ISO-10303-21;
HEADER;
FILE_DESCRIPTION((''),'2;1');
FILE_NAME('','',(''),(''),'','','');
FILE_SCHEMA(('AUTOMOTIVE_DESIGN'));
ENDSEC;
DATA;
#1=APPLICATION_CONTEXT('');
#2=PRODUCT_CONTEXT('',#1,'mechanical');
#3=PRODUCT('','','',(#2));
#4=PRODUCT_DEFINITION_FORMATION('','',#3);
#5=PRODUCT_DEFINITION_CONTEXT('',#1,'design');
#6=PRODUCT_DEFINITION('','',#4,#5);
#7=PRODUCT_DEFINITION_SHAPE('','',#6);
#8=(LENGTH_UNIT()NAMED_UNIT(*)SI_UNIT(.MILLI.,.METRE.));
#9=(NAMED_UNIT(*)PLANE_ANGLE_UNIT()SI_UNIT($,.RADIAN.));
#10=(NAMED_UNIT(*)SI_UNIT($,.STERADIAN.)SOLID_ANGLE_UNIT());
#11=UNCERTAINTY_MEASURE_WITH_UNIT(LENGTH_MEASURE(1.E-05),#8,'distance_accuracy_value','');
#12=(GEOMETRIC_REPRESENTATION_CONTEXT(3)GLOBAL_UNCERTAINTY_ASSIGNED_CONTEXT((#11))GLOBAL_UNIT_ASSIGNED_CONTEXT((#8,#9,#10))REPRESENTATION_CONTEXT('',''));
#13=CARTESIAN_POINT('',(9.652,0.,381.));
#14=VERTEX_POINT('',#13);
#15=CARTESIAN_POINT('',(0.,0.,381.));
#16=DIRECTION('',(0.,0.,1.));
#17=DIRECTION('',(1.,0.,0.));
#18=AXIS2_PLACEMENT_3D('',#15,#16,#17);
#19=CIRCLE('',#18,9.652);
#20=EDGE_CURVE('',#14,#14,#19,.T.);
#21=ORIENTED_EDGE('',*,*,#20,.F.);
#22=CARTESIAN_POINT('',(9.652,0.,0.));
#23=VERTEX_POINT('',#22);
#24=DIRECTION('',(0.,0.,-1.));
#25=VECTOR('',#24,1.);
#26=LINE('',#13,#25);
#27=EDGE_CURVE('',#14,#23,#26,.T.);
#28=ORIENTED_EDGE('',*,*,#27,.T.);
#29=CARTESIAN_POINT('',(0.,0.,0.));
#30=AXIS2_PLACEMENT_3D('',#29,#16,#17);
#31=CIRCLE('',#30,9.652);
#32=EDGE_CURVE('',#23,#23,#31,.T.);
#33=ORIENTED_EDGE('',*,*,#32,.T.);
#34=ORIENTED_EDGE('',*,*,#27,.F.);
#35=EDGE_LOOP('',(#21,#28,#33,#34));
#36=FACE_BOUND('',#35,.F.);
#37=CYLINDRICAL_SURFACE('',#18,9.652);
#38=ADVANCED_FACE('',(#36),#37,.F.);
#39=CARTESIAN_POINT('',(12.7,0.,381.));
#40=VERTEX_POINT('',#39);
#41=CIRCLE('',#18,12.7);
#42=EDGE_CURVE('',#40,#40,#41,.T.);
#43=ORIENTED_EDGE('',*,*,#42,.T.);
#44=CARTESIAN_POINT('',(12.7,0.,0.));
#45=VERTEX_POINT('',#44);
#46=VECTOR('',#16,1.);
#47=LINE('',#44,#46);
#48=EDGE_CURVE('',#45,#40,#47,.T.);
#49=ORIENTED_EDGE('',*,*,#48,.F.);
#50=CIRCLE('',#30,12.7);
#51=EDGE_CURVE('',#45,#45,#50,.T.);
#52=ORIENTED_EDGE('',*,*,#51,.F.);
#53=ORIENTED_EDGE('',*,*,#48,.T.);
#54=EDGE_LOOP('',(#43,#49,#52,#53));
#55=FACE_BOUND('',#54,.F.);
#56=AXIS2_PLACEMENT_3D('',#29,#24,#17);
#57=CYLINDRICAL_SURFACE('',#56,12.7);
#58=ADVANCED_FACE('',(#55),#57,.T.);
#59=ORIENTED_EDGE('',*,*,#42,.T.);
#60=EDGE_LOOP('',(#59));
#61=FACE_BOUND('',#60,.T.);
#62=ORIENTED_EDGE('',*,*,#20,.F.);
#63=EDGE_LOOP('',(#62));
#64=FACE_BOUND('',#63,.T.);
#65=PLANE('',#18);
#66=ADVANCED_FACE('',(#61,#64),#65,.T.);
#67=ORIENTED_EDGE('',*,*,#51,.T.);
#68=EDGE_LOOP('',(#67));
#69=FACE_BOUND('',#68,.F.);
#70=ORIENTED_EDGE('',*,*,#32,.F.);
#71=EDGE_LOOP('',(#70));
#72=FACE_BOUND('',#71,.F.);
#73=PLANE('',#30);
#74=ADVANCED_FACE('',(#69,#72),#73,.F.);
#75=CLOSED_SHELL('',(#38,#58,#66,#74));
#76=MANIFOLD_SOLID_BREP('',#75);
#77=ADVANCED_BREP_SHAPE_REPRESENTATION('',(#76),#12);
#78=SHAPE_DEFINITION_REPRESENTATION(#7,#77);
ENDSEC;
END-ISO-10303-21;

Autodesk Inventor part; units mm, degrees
ref_plane "YZ Plane" through (0, 0, 0) normal (1, 0, 0) x (0, 1, 0)
ref_plane "XZ Plane" through (0, 0, 0) normal (0, 1, 0) x (-1, 0, 0)
ref_plane "XY Plane" through (0, 0, 0) normal (0, 0, 1) x (1, 0, 0)
sketch "Sketch1" plane through (0, 0, 0) normal (0, 0, 1) x (1, 0, 0)
  circle A0 centre (0, 0) radius 12.7
  dimension "d0" = 25.4
extrude "Extrusion1" add sketch "Sketch1" along normal blind 381
sketch "Sketch2" plane through (0, 0, 381) normal (0, 0, 1) x (1, 0, 0)
  circle A0 centre (0, 0) radius 12.7
  circle A1 centre (0, 0) radius 9.652
  dimension "d3" = 3.048
extrude "Extrusion2" cut sketch "Sketch2" against normal blind 381 contours A1
properties part number "Axel_SBail"
